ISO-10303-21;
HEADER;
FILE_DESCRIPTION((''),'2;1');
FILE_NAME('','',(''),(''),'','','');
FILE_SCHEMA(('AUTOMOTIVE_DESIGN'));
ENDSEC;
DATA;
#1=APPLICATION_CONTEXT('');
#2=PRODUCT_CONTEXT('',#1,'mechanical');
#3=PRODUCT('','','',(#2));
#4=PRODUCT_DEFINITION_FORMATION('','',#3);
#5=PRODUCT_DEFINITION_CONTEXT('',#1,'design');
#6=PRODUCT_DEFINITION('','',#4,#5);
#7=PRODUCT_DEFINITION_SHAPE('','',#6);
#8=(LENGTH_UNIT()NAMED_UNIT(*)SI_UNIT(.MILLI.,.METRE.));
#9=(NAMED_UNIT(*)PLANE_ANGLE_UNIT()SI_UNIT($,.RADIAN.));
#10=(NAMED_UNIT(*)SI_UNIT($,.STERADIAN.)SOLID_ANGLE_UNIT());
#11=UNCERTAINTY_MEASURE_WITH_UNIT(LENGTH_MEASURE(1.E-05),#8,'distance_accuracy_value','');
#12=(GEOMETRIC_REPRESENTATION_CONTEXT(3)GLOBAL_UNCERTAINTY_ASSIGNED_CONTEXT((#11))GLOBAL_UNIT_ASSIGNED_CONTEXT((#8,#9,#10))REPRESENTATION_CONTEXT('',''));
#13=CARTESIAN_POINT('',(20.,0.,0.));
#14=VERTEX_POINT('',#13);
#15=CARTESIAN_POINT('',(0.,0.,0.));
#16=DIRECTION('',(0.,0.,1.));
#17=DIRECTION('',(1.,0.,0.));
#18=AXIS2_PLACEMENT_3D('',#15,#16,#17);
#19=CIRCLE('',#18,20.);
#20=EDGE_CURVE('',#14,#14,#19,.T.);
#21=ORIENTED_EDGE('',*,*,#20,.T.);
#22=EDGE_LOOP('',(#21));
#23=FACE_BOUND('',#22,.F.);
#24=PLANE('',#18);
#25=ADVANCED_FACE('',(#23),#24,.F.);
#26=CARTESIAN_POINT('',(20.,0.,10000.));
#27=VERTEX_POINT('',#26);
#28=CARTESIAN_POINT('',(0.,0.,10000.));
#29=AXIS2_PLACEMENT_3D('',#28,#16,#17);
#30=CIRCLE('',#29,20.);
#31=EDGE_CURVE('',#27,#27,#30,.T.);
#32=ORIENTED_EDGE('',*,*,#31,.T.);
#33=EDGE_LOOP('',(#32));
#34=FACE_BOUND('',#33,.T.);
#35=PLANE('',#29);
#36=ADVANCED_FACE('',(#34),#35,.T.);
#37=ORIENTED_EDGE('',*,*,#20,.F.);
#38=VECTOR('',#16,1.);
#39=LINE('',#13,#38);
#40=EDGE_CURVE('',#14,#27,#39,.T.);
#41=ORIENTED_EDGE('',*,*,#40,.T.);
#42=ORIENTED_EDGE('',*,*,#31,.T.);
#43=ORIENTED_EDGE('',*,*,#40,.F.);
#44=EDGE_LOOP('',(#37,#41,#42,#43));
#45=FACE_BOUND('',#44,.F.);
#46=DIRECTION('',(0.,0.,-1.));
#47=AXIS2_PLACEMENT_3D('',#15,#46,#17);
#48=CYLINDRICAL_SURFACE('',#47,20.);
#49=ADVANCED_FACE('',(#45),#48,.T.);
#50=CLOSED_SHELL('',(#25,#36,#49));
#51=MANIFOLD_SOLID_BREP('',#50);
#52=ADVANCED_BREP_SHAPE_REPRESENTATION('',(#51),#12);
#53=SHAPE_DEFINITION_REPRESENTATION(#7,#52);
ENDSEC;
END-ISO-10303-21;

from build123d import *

# Parameters (mm, degrees)
SKETCH_R  = 20
PAD_DEPTH = 10000


with BuildPart() as part:
    # Sketch → Pad (new body)
    with BuildSketch(Plane.XY):
        Circle(SKETCH_R)
    extrude(amount=PAD_DEPTH)


solid = part.part
